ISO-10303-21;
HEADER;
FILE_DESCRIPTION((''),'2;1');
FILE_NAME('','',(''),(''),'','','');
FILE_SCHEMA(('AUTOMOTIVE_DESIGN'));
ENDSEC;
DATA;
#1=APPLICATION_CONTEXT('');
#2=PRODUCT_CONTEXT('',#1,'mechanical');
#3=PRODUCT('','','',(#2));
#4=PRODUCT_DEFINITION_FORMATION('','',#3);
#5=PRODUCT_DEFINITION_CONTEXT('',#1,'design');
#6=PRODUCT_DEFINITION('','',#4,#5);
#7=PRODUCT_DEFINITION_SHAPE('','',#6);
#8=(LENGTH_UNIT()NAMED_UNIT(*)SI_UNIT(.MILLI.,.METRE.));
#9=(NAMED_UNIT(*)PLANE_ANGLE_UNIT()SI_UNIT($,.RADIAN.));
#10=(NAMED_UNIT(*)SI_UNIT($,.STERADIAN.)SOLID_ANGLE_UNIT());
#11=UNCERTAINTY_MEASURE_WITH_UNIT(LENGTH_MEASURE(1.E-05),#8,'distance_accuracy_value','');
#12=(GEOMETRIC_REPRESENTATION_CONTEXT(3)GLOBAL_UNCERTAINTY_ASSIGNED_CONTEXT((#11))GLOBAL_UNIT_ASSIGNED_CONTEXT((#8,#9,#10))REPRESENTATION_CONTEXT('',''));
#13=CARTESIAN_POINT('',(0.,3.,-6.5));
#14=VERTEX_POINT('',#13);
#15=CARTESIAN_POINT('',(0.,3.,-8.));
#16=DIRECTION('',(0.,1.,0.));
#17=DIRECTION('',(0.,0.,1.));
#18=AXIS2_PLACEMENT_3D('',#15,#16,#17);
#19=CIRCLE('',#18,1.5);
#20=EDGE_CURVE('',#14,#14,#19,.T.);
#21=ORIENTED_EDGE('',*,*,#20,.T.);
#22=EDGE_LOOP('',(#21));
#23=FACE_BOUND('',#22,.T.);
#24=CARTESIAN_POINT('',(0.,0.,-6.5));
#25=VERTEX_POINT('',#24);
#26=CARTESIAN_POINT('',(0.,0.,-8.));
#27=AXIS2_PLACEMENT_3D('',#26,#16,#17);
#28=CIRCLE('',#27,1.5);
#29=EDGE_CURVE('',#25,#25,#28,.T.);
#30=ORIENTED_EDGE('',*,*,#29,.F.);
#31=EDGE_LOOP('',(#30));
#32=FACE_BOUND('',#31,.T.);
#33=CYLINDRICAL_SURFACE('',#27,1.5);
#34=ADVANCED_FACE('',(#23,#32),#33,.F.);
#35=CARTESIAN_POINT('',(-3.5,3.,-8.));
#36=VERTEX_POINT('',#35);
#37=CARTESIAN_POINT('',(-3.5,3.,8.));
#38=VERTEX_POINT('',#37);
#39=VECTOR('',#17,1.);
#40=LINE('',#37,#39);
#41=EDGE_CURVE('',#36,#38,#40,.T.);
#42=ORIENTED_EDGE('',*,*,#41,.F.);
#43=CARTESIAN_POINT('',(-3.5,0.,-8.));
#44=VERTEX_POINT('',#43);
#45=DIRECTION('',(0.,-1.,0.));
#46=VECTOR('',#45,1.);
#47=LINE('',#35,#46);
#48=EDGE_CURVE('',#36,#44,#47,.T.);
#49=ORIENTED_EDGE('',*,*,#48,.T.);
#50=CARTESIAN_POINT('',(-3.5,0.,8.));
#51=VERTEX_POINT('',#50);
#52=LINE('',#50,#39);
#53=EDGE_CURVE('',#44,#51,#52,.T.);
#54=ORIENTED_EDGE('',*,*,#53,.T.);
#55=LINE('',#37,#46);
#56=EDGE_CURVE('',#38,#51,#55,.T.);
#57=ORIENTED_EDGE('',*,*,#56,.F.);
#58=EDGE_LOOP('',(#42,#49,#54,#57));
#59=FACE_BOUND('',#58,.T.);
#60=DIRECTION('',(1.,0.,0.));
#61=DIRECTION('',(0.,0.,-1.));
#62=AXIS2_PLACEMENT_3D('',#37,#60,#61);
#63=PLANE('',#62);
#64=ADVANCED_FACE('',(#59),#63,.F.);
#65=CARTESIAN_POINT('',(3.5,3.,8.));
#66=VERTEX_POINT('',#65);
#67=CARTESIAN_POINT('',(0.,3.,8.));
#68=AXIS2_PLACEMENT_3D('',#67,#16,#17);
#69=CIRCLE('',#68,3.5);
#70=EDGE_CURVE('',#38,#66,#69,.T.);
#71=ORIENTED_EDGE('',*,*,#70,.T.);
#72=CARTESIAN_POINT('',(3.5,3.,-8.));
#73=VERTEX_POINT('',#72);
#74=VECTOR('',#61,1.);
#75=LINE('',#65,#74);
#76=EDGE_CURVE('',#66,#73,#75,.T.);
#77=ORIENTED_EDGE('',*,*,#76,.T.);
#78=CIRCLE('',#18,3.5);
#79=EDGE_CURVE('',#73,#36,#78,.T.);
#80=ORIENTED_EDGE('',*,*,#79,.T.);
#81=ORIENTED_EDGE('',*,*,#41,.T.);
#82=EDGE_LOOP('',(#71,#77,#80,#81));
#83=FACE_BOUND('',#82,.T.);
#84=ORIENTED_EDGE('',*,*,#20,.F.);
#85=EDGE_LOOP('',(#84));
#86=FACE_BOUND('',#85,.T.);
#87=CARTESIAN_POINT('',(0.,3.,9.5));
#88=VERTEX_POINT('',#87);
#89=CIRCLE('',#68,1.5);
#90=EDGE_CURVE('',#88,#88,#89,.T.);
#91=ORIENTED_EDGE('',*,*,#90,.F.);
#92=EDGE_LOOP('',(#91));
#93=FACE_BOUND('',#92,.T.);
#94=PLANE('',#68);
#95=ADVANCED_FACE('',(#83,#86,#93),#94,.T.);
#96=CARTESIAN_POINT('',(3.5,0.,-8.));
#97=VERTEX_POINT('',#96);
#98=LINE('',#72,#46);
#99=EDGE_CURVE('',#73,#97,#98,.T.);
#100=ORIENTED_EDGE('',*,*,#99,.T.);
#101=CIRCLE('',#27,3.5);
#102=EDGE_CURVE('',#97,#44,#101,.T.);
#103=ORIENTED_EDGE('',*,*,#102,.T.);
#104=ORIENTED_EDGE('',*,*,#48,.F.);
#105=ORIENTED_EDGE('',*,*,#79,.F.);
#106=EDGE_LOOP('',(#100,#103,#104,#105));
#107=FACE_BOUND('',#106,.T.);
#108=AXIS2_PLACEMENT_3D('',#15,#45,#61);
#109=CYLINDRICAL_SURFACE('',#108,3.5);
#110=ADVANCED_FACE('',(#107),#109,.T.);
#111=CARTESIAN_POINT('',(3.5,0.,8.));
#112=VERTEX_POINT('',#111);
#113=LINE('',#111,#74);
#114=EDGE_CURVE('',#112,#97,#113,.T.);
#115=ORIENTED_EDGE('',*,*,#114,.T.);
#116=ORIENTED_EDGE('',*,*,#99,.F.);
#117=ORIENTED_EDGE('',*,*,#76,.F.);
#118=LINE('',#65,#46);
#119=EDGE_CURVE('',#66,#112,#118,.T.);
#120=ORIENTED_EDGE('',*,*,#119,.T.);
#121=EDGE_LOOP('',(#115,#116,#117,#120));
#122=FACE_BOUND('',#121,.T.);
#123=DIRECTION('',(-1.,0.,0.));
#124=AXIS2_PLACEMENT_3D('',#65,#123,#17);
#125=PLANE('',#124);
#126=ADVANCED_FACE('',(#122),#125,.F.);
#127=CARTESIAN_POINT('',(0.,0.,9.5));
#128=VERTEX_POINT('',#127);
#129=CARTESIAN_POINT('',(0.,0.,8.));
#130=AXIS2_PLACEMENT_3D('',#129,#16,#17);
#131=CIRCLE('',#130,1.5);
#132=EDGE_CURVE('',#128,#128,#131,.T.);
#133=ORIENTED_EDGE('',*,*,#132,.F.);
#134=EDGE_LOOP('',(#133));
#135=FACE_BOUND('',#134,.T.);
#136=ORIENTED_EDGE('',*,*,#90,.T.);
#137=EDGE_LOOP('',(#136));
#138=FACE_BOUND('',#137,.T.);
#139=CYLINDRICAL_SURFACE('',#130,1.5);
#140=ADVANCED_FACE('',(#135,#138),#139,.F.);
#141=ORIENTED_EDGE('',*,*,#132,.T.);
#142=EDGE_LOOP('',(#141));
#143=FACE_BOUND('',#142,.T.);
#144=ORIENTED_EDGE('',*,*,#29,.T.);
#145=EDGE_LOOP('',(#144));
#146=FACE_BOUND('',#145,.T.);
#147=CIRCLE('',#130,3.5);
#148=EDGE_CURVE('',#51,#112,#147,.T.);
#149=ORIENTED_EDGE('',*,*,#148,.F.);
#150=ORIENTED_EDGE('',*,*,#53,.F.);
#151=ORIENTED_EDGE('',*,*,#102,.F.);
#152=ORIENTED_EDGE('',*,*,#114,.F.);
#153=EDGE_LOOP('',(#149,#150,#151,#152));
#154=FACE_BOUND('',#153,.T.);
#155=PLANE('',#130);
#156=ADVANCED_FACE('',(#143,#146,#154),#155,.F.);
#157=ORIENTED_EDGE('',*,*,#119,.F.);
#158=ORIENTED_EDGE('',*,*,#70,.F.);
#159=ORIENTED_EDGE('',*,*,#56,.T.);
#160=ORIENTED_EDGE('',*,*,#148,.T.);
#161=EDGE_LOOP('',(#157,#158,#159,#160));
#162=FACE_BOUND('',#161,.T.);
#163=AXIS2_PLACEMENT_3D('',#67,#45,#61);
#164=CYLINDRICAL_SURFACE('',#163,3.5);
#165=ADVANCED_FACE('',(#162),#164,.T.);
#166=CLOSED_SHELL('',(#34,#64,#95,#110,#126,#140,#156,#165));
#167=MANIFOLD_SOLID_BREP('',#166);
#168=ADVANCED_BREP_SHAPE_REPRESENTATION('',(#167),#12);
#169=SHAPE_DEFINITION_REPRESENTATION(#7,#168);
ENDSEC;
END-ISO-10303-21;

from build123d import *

# Parameters (mm, degrees)
EXTRUDE_1_DEPTH     = 3
SKETCH_2_R          = 1.5
CUT_EXTRUDE_1_DEPTH = 3


with BuildPart() as part:
    # 草图1 → 凸台-拉伸1 (new body)
    with BuildSketch(Plane(origin=(0, 0, 0), x_dir=(1, 0, 0), z_dir=(0, 1, 0))):
        with BuildLine():
            Line((-3.5, -8), (-3.5, 8))
            ThreePointArc((-3.5, 8), (0, 11.5), (3.5, 8))
            Line((3.5, 8), (3.5, -8))
            ThreePointArc((3.5, -8), (0, -11.5), (-3.5, -8))
        make_face()
    extrude(amount=EXTRUDE_1_DEPTH)

    # 草图2 → 切除-拉伸1 (cut)
    with BuildSketch(Plane(origin=(0, 3, 0), x_dir=(1, 0, 0), z_dir=(0, 1, 0))):
        with Locations(Location((0, 8, 0), (0, 0, 270))):
            Circle(SKETCH_2_R)
        with Locations(Location((0, -8, 0), (0, 0, 270))):
            Circle(SKETCH_2_R)
    extrude(amount=-CUT_EXTRUDE_1_DEPTH, mode=Mode.SUBTRACT)


solid = part.part
